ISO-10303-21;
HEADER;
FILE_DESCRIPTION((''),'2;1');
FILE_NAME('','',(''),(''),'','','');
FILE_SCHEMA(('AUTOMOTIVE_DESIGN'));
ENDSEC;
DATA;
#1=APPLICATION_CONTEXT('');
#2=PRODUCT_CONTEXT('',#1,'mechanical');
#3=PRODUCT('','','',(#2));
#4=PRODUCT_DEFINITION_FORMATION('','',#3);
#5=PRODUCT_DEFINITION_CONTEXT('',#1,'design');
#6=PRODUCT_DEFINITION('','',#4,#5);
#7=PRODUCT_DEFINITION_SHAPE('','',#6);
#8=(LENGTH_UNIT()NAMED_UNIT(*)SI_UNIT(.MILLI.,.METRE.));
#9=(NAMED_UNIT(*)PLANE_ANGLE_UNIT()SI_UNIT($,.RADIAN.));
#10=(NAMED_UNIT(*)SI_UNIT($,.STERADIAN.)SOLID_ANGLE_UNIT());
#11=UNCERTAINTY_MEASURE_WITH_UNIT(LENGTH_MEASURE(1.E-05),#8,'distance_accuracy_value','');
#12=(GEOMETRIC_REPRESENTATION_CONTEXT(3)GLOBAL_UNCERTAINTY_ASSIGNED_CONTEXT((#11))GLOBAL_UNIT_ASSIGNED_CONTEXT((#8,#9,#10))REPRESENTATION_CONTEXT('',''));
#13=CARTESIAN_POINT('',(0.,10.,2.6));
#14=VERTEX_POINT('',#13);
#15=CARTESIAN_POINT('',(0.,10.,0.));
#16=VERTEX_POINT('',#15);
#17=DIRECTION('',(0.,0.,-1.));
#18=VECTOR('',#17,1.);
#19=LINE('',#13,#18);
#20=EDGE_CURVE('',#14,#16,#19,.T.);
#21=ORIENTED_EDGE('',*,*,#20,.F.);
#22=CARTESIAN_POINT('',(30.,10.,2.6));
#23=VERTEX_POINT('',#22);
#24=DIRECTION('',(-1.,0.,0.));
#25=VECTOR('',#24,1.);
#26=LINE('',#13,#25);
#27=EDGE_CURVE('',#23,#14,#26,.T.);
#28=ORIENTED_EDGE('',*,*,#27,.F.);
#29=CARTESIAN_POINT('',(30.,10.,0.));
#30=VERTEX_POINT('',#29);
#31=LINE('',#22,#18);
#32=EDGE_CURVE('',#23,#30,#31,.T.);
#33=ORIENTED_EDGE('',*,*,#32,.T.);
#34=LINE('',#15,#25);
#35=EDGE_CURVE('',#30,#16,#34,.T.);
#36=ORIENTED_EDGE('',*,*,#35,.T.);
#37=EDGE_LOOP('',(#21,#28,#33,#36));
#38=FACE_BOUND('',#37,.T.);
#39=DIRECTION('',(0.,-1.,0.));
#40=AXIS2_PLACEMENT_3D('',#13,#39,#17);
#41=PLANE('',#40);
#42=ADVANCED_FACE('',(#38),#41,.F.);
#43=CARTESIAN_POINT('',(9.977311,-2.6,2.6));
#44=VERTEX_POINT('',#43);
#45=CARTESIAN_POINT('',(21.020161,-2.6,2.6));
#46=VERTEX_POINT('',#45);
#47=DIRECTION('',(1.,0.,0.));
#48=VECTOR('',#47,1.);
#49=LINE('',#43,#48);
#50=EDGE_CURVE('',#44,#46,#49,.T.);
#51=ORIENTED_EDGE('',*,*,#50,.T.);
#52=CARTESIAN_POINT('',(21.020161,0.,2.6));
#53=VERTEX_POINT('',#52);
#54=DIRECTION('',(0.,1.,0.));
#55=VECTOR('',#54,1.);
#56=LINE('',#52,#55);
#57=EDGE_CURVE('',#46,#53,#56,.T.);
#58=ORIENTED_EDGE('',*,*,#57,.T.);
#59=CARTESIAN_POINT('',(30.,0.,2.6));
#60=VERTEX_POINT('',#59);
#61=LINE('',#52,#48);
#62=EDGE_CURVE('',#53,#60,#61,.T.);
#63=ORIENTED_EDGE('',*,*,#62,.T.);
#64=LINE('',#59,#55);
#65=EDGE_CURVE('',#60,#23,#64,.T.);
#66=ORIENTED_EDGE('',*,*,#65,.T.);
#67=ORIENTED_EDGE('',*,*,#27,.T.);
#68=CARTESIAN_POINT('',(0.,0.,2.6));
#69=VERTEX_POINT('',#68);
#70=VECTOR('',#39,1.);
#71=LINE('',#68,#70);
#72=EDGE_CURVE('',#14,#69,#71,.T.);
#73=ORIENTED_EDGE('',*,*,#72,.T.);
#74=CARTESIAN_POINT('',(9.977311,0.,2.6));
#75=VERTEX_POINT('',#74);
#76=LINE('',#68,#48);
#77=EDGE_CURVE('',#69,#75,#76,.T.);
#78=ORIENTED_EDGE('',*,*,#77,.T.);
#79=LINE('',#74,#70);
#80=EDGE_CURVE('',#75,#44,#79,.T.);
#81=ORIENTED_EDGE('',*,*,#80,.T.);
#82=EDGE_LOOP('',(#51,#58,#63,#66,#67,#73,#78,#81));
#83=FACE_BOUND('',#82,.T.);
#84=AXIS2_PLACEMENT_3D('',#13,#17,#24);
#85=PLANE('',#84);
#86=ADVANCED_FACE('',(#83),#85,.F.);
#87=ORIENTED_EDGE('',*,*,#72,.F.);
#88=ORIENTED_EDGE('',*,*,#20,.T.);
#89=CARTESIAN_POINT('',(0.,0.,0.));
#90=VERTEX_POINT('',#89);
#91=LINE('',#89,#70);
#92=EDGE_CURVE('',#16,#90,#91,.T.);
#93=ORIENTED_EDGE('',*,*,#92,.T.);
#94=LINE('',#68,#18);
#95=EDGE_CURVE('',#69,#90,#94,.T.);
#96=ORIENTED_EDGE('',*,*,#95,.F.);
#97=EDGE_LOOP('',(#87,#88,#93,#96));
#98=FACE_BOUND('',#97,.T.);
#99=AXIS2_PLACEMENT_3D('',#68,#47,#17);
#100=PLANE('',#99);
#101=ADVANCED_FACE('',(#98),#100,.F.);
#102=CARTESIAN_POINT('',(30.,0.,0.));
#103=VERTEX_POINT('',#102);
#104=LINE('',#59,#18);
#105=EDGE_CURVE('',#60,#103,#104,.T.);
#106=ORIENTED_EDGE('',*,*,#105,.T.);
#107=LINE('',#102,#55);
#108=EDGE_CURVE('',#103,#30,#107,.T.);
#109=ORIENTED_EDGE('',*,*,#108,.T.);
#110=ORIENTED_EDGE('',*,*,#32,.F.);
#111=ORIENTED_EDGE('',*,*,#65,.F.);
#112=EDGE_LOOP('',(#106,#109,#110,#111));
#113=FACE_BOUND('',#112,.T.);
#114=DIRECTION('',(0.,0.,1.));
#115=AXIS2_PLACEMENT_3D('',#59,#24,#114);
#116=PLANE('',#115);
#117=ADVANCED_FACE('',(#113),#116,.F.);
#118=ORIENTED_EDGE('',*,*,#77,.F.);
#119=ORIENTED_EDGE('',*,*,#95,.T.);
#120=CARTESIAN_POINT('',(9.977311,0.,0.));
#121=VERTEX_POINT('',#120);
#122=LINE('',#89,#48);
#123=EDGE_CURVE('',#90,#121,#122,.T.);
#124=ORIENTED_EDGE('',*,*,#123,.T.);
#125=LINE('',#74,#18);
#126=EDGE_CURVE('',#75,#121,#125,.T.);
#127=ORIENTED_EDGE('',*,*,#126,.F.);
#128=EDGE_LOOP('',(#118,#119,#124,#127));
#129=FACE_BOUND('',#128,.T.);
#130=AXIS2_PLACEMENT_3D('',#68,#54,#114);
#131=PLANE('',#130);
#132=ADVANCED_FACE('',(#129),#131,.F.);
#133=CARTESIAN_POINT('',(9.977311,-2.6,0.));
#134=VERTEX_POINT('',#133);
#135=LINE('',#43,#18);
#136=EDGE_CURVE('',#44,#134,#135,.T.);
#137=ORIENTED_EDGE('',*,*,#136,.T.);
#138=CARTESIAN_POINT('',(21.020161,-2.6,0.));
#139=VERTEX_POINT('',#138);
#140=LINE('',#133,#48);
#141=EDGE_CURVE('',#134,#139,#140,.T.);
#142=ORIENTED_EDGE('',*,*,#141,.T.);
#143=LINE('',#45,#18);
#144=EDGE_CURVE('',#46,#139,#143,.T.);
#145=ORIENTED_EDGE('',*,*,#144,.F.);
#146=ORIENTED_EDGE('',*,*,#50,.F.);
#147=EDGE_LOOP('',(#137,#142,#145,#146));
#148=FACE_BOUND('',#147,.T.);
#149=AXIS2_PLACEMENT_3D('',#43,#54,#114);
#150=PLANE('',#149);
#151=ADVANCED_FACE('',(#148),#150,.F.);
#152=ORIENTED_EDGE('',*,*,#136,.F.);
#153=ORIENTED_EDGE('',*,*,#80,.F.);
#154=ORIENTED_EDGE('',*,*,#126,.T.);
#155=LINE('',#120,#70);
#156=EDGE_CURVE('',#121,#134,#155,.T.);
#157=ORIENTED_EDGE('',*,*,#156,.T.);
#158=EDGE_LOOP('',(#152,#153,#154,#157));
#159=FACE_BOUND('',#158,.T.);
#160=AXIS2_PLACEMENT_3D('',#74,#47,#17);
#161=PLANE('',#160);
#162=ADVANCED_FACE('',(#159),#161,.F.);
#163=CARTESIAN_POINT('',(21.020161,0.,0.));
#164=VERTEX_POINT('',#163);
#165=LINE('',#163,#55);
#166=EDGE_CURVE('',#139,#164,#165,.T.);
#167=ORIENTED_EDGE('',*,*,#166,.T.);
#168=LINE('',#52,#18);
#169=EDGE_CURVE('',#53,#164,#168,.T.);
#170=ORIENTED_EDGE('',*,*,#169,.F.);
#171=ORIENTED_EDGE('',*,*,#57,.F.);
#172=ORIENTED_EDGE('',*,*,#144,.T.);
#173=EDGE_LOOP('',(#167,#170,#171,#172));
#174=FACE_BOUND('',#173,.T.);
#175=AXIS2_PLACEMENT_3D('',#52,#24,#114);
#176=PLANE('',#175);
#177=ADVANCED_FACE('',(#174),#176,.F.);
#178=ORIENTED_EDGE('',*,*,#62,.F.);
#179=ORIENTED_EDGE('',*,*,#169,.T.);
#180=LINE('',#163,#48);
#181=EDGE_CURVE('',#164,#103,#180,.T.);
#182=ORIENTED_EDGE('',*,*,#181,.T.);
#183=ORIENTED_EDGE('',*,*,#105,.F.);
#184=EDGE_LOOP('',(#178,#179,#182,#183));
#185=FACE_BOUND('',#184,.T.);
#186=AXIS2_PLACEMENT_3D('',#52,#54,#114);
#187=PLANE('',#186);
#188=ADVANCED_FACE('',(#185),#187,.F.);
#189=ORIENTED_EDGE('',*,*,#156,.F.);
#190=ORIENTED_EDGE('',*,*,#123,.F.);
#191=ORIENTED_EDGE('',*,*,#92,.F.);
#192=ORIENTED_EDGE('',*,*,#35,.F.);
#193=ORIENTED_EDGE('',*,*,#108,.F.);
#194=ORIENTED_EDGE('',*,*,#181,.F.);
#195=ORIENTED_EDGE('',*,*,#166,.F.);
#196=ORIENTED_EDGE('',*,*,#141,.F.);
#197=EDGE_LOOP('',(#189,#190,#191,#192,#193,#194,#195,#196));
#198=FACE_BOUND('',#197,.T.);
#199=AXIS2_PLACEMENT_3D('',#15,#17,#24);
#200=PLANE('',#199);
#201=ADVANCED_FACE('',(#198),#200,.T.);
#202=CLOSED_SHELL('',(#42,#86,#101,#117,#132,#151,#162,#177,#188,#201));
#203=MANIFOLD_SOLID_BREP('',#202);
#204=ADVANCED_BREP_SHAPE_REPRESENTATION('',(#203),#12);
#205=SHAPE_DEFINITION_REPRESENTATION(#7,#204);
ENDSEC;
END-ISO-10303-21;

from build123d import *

# Parameters (mm, degrees)
BOSS_EXTRUDE1_DEPTH = 2.6


with BuildPart() as part:
    # Sketch1 → Boss-Extrude1 (new body)
    with BuildSketch(Plane.XY):
        Polygon((21.020160869, 0), (30, 0), (30, 10), (0, 10), (0, 0), (9.97731138, 0), (9.97731138, -2.6), (21.020160869, -2.6), align=None)
    extrude(amount=BOSS_EXTRUDE1_DEPTH)


solid = part.part
